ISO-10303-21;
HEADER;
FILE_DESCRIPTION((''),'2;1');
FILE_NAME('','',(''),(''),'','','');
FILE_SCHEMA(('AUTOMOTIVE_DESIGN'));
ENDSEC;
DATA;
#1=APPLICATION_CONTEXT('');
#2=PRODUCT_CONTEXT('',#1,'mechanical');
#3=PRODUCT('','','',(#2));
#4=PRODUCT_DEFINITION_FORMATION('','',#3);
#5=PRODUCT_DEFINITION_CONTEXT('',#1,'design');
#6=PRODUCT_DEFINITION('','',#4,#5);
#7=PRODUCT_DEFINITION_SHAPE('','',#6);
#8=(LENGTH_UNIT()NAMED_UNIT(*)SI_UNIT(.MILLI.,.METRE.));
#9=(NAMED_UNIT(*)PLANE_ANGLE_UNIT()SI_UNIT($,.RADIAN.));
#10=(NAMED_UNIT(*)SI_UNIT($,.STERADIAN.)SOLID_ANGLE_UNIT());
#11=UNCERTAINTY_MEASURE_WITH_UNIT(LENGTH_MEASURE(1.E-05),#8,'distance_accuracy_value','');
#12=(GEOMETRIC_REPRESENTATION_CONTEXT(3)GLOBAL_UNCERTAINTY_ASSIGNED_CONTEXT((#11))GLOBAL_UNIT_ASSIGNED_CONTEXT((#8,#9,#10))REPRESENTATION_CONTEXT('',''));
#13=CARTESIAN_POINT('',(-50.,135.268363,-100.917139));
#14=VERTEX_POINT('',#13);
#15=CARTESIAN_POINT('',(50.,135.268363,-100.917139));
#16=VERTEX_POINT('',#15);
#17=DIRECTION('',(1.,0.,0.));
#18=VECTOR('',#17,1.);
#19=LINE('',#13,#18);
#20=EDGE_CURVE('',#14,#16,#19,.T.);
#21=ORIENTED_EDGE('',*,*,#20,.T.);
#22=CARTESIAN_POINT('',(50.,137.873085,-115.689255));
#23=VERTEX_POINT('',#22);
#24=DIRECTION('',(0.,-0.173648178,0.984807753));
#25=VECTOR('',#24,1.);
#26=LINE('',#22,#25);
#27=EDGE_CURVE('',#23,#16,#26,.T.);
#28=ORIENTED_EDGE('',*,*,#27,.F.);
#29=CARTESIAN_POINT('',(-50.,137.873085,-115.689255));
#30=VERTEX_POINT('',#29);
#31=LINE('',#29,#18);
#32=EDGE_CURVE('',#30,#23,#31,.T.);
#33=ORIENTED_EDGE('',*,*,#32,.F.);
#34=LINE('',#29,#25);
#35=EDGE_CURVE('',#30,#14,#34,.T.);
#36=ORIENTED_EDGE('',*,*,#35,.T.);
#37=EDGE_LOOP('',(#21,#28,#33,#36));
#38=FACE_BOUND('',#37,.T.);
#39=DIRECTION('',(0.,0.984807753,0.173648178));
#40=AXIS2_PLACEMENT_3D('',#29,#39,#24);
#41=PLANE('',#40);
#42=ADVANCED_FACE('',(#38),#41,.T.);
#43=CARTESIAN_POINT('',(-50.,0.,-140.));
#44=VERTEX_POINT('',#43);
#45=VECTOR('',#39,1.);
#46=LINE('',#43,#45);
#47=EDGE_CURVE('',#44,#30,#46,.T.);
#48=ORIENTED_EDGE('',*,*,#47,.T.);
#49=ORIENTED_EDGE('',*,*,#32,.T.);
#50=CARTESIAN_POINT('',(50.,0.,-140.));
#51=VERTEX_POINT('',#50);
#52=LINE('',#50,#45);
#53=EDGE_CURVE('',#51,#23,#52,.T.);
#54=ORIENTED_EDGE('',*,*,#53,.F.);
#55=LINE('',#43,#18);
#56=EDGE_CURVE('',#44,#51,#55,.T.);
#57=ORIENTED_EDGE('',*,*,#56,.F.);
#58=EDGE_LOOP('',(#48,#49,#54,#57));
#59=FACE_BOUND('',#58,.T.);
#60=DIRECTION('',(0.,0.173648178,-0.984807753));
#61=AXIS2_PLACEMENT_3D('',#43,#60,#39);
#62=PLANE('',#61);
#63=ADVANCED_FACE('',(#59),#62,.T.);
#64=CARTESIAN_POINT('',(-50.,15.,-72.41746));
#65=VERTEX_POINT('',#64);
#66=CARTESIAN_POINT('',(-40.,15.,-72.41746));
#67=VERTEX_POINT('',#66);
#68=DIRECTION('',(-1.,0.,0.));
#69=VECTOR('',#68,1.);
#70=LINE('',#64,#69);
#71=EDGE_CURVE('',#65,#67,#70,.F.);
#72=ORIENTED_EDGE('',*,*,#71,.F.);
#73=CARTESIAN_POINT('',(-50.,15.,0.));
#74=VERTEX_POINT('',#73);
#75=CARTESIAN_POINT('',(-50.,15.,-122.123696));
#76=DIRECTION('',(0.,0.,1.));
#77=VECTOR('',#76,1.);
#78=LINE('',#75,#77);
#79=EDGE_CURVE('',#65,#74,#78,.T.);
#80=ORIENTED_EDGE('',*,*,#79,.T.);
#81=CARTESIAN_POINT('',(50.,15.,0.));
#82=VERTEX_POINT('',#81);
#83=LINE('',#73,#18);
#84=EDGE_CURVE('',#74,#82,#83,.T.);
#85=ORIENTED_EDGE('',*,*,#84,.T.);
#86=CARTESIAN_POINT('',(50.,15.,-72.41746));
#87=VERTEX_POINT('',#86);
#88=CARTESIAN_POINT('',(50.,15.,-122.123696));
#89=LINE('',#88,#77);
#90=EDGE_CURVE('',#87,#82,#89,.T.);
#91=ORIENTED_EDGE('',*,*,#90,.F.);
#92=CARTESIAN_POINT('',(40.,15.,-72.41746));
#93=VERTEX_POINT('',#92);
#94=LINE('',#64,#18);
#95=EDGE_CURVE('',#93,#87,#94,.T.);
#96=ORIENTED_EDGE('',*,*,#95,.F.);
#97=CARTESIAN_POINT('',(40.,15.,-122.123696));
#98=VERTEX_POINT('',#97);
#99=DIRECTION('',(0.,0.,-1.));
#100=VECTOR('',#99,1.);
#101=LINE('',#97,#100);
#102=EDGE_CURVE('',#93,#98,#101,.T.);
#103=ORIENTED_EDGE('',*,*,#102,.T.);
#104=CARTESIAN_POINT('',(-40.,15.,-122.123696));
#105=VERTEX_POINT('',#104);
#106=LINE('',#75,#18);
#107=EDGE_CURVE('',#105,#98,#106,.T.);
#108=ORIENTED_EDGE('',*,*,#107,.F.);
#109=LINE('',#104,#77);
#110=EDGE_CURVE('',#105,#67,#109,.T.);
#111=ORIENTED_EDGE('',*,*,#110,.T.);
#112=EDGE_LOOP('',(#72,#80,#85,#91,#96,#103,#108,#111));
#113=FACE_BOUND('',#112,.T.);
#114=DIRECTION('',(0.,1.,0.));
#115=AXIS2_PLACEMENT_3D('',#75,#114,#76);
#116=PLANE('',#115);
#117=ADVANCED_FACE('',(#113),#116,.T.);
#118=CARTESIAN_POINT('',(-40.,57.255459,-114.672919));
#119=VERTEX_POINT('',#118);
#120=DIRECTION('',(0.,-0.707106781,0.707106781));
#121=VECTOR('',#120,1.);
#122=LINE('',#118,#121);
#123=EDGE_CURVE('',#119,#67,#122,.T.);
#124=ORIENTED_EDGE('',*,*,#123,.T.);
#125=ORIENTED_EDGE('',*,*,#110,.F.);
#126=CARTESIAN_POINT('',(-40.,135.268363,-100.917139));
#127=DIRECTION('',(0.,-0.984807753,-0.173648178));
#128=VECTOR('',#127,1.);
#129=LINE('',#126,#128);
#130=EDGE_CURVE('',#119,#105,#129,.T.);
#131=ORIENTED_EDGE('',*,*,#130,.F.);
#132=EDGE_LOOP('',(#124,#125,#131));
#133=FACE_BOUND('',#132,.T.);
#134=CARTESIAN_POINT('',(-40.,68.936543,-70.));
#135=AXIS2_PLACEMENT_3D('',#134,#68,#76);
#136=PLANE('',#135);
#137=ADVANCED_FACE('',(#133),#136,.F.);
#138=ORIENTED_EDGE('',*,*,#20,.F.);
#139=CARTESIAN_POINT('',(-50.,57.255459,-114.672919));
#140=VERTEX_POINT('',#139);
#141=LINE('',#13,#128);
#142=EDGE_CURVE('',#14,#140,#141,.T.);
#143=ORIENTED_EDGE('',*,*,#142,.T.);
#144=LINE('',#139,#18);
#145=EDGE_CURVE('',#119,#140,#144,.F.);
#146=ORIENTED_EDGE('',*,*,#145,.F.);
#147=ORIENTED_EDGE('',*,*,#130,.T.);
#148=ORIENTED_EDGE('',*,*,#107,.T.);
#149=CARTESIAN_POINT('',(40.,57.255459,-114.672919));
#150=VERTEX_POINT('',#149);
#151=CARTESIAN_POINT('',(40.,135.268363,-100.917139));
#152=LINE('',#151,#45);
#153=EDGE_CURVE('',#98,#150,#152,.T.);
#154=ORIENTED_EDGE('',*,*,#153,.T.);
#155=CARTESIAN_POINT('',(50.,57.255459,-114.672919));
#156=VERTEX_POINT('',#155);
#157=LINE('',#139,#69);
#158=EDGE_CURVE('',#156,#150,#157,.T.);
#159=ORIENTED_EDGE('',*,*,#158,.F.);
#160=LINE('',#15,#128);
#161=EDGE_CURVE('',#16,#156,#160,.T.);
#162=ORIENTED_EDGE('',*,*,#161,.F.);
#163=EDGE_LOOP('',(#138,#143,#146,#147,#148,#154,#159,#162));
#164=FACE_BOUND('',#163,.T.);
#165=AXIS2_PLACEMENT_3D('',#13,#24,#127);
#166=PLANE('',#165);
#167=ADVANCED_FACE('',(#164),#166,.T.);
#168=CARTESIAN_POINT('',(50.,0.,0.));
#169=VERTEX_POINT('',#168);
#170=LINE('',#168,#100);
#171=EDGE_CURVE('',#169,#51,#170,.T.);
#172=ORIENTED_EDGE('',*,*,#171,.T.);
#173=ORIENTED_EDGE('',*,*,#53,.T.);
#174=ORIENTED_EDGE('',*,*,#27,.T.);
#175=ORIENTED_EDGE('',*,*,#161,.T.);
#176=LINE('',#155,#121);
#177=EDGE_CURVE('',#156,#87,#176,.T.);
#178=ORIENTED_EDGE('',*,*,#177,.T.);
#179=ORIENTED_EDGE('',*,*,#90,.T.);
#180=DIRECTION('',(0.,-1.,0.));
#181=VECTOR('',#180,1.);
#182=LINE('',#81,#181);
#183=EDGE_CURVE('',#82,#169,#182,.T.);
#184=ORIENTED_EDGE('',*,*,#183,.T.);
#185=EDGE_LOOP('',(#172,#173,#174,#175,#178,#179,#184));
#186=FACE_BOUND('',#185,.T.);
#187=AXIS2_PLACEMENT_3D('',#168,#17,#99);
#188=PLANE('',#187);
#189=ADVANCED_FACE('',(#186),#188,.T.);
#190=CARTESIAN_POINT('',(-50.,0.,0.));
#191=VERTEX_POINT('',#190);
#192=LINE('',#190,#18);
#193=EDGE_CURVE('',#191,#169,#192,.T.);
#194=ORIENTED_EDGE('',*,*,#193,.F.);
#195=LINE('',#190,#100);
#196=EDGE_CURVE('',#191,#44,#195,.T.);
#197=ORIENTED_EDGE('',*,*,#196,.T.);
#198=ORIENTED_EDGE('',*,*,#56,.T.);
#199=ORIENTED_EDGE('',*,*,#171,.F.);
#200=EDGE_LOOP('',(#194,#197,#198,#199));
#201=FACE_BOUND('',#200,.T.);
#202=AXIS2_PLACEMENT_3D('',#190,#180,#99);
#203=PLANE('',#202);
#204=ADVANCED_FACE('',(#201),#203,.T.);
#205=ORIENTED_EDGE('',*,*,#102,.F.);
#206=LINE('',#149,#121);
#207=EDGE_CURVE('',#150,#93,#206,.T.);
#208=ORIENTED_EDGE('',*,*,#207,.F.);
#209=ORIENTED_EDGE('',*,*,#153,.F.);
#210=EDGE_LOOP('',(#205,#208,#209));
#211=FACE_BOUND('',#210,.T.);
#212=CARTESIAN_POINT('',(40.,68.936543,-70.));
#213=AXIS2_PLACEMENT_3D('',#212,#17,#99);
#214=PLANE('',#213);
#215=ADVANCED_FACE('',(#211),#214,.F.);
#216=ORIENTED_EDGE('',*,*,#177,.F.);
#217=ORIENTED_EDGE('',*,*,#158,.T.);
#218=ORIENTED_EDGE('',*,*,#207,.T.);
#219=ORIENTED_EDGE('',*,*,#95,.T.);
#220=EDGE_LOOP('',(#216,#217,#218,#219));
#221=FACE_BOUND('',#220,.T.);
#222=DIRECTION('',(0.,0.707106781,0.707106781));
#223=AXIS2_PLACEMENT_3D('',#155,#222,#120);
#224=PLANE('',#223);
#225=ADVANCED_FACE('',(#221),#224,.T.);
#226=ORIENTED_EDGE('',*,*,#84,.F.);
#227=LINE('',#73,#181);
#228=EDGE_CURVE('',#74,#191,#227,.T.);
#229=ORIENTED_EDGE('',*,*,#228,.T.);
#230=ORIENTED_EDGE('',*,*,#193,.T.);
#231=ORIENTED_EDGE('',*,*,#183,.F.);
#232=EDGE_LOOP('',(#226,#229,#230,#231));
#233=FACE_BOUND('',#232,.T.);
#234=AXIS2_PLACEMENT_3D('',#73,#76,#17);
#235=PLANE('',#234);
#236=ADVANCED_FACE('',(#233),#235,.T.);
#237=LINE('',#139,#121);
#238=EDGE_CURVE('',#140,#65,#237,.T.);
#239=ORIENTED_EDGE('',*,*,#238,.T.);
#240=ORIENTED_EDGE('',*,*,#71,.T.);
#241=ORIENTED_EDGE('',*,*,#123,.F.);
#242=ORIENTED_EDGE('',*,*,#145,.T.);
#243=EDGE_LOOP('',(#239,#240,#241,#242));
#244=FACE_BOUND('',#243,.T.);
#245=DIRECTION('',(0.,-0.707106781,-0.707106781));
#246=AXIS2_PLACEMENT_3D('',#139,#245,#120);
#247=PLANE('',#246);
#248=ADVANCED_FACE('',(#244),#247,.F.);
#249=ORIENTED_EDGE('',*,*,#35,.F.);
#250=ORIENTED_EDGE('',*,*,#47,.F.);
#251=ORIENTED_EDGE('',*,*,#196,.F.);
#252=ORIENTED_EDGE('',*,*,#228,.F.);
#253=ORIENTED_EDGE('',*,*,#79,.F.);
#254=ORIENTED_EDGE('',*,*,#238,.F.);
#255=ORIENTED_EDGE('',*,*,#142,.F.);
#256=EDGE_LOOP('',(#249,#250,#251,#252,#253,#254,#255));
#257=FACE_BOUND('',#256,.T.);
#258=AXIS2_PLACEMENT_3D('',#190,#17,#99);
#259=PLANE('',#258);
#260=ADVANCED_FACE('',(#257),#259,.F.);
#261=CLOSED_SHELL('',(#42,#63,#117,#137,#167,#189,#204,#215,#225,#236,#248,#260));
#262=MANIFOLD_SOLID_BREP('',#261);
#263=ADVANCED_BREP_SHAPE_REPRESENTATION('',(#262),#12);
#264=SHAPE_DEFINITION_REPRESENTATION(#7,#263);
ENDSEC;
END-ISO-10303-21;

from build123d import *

# Parameters (mm, degrees)
BOSS_EXTRUDE1_DEPTH      = 50
BOSS_EXTRUDE1_DEPTH_BACK = 50
RIB1_REACH               = 222.474
SKETCH3_WALL_W           = 502.70716346
SKETCH3_WALL_H           = 10


with BuildPart() as part:
    # Sketch1 → Boss-Extrude1 (new, two sides: drawn at the far end of the back side and taken through both)
    with BuildSketch(Plane(origin=(0, 0, 0), x_dir=(0, 0, -1), z_dir=(1, 0, 0)).offset(-BOSS_EXTRUDE1_DEPTH_BACK)):
        Polygon((0, 0), (140, 0), (115.689255127, 137.873085422), (100.917138831, 135.268362757), (122.123696111, 15), (0, 15), align=None)
    extrude(amount=BOSS_EXTRUDE1_DEPTH + BOSS_EXTRUDE1_DEPTH_BACK)

    # Sketch3 wall → Rib1 (add, up to next)
    with BuildSketch(Plane(origin=(-50, 36.127729317, -93.545189355), x_dir=(0, -0.707106781187, 0.707106781187), z_dir=(0, 0.707106781187, 0.707106781187)), mode=Mode.PRIVATE) as rib1_sk1:
        with Locations((0, 5)):
            Rectangle(SKETCH3_WALL_W, SKETCH3_WALL_H)
    rib1_tool1 = extrude(rib1_sk1.sketch, amount=-RIB1_REACH, mode=Mode.PRIVATE) - part.part
    rib1 = rib1_tool1.solids().sort_by_distance((-50, 36.127729317, -93.545189355))[0]
    add(rib1)

    # Mirror1: Rib1 across plane
    add(rib1.mirror(Plane(origin=(0, 0, 0), x_dir=(0, 0, 1), z_dir=(1, 0, 0))))


solid = part.part
